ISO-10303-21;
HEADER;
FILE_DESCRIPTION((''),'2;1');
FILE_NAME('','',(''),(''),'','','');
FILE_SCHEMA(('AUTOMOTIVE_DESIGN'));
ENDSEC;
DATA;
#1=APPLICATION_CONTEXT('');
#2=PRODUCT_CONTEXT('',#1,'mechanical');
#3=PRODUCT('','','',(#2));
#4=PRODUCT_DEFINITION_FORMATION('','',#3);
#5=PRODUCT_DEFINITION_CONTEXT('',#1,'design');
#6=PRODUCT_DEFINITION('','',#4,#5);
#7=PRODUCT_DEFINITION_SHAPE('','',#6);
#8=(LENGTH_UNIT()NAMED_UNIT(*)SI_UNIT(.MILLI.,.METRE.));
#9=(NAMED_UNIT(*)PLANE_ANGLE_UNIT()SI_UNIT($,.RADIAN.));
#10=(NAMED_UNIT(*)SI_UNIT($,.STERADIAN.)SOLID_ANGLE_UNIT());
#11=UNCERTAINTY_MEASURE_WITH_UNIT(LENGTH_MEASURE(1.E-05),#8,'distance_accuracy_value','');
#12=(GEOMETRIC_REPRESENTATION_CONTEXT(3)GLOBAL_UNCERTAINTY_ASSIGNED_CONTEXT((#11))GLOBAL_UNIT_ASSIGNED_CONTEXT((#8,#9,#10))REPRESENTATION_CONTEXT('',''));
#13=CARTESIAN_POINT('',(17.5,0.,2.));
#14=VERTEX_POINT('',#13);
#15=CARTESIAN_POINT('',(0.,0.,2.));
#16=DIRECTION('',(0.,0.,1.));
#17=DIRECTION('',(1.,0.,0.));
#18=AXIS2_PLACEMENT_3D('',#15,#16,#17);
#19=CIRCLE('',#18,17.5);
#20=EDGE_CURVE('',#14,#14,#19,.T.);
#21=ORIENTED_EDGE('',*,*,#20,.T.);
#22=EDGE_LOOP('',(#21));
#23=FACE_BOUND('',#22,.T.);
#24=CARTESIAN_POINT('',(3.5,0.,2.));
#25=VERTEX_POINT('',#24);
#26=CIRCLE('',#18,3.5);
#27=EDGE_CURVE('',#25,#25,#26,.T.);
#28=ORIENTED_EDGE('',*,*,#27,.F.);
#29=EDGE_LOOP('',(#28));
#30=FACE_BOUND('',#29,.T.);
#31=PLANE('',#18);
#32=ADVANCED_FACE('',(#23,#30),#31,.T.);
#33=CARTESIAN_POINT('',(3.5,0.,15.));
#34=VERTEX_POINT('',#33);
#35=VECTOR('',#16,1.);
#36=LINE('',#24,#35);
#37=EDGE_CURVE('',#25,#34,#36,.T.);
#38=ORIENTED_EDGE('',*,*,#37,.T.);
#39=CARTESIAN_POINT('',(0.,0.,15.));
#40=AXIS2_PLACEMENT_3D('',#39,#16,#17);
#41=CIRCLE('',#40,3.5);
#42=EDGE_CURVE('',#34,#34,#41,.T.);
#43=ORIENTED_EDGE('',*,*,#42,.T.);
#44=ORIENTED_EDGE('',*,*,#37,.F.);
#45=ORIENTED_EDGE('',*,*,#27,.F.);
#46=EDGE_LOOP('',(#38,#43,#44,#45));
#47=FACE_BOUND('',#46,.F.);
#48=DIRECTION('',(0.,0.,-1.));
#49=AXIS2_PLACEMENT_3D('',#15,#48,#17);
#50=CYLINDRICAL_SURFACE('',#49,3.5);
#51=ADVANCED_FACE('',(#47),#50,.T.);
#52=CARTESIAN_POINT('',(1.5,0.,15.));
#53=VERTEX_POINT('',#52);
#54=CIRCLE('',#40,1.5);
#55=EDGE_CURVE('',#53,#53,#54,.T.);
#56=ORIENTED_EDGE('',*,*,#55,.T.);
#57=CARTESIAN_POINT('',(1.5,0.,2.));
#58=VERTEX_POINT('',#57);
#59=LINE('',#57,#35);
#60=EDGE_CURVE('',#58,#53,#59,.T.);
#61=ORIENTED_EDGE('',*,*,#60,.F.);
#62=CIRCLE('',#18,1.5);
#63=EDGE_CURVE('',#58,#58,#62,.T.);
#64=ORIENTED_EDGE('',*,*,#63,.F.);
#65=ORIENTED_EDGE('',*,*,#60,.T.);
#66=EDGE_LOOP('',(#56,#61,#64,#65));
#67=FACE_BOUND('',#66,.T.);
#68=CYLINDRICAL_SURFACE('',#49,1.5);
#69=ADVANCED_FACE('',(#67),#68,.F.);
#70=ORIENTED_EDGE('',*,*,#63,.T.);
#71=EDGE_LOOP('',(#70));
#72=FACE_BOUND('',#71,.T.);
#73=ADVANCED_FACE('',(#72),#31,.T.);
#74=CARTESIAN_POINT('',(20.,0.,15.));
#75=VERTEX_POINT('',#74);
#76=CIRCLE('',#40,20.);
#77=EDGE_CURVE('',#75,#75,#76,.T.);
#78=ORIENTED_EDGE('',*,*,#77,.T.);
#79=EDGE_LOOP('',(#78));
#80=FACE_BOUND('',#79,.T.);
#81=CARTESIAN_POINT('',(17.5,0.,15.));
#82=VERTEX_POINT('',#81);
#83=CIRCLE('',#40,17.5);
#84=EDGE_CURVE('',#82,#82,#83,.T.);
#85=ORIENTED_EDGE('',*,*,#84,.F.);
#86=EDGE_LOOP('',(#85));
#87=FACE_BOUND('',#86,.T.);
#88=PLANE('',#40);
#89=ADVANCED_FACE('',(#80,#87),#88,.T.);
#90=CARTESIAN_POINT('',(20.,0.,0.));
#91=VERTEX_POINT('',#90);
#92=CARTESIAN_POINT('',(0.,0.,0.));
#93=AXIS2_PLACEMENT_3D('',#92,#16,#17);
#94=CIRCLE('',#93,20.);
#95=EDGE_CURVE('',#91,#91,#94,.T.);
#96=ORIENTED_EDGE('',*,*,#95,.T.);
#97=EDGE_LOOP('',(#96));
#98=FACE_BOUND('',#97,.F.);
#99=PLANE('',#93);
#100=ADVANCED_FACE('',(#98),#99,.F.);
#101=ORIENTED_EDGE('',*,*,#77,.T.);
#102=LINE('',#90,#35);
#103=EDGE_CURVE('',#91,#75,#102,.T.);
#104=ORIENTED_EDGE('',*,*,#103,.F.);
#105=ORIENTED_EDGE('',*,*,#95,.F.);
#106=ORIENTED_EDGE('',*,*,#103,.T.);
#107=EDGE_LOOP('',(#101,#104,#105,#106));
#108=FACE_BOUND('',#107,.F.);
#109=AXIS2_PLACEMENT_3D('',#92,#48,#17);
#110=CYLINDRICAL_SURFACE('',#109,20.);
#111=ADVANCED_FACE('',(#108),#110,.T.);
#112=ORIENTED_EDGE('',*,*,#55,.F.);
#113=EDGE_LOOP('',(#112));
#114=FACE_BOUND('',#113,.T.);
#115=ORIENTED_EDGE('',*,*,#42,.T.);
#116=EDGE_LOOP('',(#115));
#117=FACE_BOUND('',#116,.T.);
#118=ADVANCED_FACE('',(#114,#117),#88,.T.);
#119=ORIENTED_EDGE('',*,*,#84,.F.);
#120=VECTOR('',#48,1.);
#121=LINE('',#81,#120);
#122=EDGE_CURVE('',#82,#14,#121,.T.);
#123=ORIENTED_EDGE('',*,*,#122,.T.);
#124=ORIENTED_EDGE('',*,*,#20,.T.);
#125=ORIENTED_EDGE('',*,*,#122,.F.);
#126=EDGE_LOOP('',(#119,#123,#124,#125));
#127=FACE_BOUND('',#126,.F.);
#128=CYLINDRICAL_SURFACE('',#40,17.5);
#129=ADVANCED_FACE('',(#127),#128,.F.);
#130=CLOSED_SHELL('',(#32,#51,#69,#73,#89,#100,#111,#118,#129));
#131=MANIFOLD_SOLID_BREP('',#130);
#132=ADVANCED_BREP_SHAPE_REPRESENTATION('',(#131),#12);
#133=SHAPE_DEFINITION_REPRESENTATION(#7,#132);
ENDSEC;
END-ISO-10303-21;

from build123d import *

# Parameters (mm, degrees)
F0_R     = 20
F1_DEPTH = 15
F2_R     = 17.5
F3_DEPTH = 13
F4_R     = 3.5
F4_R_2   = 1.5
F5_DEPTH = 13


with BuildPart() as f1:
    # F0 (on Top) → F1 (new body)
    with BuildSketch(Plane.XY):
        Circle(F0_R)
    extrude(amount=F1_DEPTH)

    # F2 (on face) → F3 (cut)
    with BuildSketch(Plane.XY.offset(15)):
        Circle(F2_R)
    extrude(amount=-F3_DEPTH, mode=Mode.SUBTRACT)

    # F4 (on face) → F5 (join)
    with BuildSketch(Plane.XY.offset(2)):
        Circle(F4_R)
        Circle(F4_R_2, mode=Mode.SUBTRACT)
    extrude(amount=F5_DEPTH)


solid = f1.part
